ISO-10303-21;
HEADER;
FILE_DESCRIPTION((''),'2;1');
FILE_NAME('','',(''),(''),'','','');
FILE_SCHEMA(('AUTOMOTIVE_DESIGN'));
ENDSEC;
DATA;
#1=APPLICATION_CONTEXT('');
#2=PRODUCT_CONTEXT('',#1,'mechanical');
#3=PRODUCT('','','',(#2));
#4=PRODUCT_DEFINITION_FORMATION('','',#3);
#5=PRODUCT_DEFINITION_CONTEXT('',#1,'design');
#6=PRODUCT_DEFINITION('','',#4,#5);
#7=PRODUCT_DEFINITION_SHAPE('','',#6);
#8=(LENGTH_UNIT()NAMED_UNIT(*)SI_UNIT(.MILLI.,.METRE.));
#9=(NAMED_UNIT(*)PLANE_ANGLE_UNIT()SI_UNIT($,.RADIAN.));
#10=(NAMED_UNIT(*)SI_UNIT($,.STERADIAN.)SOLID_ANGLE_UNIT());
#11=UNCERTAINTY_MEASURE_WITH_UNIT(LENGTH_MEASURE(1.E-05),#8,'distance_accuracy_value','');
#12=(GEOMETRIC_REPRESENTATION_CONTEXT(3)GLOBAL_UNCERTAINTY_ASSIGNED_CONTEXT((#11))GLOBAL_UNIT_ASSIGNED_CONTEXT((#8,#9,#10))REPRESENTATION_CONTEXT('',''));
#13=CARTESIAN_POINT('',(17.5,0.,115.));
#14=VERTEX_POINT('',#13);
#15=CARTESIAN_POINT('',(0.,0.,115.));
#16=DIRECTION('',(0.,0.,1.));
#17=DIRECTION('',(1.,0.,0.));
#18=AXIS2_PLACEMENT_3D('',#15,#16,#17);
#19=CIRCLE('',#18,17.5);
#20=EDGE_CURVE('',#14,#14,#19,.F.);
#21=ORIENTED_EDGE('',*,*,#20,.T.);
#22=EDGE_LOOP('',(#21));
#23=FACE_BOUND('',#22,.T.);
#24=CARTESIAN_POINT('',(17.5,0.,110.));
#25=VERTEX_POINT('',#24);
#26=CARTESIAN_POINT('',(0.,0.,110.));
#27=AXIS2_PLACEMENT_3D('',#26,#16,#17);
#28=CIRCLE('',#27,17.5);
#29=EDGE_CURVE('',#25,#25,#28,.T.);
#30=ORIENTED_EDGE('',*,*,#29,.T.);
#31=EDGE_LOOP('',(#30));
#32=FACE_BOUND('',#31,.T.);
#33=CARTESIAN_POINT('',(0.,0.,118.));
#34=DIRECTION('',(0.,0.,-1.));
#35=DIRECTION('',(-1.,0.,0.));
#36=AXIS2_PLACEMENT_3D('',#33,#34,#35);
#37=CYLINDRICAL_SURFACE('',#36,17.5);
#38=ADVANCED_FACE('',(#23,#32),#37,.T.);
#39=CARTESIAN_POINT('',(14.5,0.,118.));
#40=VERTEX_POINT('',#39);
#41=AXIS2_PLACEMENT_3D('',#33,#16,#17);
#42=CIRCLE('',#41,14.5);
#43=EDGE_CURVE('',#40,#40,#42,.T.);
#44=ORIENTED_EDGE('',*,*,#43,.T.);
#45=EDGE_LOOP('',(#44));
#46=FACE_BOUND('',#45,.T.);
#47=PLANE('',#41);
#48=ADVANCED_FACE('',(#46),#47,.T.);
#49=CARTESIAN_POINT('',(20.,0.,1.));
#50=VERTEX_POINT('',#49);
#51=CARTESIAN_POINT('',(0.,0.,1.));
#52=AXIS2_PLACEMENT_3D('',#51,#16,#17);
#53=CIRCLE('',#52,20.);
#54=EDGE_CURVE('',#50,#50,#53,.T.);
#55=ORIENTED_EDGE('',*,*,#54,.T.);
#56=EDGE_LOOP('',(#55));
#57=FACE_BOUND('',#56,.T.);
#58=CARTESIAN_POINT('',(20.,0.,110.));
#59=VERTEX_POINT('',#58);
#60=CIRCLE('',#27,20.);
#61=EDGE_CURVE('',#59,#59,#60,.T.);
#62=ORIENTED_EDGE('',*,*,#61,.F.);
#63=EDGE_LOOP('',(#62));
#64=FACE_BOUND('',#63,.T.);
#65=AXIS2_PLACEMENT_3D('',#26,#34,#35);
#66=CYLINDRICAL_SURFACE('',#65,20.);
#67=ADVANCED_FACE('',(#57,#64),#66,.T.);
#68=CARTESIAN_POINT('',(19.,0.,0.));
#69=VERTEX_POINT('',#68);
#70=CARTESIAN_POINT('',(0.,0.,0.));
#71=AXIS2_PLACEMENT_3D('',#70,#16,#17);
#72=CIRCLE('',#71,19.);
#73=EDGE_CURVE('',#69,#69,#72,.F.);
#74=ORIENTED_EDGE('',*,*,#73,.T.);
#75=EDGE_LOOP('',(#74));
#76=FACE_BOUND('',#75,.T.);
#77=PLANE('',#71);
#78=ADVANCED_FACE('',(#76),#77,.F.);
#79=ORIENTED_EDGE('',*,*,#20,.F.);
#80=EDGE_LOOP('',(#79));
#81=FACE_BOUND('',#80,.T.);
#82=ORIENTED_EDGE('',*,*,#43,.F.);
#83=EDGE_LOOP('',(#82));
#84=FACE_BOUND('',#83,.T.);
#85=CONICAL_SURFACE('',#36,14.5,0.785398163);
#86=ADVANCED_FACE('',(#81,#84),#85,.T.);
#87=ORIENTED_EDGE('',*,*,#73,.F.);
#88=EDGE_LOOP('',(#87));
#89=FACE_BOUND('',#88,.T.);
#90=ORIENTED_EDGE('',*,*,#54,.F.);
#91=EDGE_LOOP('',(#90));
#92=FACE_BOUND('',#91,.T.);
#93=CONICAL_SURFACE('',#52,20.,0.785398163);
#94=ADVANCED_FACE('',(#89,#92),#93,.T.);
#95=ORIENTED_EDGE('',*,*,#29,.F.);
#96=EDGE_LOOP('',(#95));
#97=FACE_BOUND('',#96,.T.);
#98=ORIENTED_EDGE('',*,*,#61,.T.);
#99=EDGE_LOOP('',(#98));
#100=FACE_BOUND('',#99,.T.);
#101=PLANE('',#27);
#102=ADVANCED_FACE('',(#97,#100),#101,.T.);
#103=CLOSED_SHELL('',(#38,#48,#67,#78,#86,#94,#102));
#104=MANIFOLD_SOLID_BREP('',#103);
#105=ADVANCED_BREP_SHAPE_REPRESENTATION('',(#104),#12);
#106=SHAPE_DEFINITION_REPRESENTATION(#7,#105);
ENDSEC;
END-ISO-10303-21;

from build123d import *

# Parameters (mm, degrees)
SKETCH_1_R      = 20
EXTRUDE_1_DEPTH = 110
SKETCH_2_R      = 17.5
EXTRUDE_2_DEPTH = 8
CHAMFER_1_SIZE  = 3
CHAMFER_2_SIZE  = 1


with BuildPart() as part:
    # 草图1 → 凸台-拉伸1 (new body)
    with BuildSketch(Plane.XY):
        Circle(SKETCH_1_R)
    extrude(amount=EXTRUDE_1_DEPTH)

    # 草图2 → 凸台-拉伸2 (add)
    with BuildSketch(Plane.XY.offset(110)):
        Circle(SKETCH_2_R)
    extrude(amount=EXTRUDE_2_DEPTH)

    # 倒角1
    chamfer_1_edges = [part.edges().sort_by_distance(p)[0] for p in [
        (-17.5, 0, 118),
    ]]
    chamfer(chamfer_1_edges, length=CHAMFER_1_SIZE)

    # 倒角2
    chamfer_2_edges = [part.edges().sort_by_distance(p)[0] for p in [
        (-20, 0, 0),
    ]]
    chamfer(chamfer_2_edges, length=CHAMFER_2_SIZE)


solid = part.part
